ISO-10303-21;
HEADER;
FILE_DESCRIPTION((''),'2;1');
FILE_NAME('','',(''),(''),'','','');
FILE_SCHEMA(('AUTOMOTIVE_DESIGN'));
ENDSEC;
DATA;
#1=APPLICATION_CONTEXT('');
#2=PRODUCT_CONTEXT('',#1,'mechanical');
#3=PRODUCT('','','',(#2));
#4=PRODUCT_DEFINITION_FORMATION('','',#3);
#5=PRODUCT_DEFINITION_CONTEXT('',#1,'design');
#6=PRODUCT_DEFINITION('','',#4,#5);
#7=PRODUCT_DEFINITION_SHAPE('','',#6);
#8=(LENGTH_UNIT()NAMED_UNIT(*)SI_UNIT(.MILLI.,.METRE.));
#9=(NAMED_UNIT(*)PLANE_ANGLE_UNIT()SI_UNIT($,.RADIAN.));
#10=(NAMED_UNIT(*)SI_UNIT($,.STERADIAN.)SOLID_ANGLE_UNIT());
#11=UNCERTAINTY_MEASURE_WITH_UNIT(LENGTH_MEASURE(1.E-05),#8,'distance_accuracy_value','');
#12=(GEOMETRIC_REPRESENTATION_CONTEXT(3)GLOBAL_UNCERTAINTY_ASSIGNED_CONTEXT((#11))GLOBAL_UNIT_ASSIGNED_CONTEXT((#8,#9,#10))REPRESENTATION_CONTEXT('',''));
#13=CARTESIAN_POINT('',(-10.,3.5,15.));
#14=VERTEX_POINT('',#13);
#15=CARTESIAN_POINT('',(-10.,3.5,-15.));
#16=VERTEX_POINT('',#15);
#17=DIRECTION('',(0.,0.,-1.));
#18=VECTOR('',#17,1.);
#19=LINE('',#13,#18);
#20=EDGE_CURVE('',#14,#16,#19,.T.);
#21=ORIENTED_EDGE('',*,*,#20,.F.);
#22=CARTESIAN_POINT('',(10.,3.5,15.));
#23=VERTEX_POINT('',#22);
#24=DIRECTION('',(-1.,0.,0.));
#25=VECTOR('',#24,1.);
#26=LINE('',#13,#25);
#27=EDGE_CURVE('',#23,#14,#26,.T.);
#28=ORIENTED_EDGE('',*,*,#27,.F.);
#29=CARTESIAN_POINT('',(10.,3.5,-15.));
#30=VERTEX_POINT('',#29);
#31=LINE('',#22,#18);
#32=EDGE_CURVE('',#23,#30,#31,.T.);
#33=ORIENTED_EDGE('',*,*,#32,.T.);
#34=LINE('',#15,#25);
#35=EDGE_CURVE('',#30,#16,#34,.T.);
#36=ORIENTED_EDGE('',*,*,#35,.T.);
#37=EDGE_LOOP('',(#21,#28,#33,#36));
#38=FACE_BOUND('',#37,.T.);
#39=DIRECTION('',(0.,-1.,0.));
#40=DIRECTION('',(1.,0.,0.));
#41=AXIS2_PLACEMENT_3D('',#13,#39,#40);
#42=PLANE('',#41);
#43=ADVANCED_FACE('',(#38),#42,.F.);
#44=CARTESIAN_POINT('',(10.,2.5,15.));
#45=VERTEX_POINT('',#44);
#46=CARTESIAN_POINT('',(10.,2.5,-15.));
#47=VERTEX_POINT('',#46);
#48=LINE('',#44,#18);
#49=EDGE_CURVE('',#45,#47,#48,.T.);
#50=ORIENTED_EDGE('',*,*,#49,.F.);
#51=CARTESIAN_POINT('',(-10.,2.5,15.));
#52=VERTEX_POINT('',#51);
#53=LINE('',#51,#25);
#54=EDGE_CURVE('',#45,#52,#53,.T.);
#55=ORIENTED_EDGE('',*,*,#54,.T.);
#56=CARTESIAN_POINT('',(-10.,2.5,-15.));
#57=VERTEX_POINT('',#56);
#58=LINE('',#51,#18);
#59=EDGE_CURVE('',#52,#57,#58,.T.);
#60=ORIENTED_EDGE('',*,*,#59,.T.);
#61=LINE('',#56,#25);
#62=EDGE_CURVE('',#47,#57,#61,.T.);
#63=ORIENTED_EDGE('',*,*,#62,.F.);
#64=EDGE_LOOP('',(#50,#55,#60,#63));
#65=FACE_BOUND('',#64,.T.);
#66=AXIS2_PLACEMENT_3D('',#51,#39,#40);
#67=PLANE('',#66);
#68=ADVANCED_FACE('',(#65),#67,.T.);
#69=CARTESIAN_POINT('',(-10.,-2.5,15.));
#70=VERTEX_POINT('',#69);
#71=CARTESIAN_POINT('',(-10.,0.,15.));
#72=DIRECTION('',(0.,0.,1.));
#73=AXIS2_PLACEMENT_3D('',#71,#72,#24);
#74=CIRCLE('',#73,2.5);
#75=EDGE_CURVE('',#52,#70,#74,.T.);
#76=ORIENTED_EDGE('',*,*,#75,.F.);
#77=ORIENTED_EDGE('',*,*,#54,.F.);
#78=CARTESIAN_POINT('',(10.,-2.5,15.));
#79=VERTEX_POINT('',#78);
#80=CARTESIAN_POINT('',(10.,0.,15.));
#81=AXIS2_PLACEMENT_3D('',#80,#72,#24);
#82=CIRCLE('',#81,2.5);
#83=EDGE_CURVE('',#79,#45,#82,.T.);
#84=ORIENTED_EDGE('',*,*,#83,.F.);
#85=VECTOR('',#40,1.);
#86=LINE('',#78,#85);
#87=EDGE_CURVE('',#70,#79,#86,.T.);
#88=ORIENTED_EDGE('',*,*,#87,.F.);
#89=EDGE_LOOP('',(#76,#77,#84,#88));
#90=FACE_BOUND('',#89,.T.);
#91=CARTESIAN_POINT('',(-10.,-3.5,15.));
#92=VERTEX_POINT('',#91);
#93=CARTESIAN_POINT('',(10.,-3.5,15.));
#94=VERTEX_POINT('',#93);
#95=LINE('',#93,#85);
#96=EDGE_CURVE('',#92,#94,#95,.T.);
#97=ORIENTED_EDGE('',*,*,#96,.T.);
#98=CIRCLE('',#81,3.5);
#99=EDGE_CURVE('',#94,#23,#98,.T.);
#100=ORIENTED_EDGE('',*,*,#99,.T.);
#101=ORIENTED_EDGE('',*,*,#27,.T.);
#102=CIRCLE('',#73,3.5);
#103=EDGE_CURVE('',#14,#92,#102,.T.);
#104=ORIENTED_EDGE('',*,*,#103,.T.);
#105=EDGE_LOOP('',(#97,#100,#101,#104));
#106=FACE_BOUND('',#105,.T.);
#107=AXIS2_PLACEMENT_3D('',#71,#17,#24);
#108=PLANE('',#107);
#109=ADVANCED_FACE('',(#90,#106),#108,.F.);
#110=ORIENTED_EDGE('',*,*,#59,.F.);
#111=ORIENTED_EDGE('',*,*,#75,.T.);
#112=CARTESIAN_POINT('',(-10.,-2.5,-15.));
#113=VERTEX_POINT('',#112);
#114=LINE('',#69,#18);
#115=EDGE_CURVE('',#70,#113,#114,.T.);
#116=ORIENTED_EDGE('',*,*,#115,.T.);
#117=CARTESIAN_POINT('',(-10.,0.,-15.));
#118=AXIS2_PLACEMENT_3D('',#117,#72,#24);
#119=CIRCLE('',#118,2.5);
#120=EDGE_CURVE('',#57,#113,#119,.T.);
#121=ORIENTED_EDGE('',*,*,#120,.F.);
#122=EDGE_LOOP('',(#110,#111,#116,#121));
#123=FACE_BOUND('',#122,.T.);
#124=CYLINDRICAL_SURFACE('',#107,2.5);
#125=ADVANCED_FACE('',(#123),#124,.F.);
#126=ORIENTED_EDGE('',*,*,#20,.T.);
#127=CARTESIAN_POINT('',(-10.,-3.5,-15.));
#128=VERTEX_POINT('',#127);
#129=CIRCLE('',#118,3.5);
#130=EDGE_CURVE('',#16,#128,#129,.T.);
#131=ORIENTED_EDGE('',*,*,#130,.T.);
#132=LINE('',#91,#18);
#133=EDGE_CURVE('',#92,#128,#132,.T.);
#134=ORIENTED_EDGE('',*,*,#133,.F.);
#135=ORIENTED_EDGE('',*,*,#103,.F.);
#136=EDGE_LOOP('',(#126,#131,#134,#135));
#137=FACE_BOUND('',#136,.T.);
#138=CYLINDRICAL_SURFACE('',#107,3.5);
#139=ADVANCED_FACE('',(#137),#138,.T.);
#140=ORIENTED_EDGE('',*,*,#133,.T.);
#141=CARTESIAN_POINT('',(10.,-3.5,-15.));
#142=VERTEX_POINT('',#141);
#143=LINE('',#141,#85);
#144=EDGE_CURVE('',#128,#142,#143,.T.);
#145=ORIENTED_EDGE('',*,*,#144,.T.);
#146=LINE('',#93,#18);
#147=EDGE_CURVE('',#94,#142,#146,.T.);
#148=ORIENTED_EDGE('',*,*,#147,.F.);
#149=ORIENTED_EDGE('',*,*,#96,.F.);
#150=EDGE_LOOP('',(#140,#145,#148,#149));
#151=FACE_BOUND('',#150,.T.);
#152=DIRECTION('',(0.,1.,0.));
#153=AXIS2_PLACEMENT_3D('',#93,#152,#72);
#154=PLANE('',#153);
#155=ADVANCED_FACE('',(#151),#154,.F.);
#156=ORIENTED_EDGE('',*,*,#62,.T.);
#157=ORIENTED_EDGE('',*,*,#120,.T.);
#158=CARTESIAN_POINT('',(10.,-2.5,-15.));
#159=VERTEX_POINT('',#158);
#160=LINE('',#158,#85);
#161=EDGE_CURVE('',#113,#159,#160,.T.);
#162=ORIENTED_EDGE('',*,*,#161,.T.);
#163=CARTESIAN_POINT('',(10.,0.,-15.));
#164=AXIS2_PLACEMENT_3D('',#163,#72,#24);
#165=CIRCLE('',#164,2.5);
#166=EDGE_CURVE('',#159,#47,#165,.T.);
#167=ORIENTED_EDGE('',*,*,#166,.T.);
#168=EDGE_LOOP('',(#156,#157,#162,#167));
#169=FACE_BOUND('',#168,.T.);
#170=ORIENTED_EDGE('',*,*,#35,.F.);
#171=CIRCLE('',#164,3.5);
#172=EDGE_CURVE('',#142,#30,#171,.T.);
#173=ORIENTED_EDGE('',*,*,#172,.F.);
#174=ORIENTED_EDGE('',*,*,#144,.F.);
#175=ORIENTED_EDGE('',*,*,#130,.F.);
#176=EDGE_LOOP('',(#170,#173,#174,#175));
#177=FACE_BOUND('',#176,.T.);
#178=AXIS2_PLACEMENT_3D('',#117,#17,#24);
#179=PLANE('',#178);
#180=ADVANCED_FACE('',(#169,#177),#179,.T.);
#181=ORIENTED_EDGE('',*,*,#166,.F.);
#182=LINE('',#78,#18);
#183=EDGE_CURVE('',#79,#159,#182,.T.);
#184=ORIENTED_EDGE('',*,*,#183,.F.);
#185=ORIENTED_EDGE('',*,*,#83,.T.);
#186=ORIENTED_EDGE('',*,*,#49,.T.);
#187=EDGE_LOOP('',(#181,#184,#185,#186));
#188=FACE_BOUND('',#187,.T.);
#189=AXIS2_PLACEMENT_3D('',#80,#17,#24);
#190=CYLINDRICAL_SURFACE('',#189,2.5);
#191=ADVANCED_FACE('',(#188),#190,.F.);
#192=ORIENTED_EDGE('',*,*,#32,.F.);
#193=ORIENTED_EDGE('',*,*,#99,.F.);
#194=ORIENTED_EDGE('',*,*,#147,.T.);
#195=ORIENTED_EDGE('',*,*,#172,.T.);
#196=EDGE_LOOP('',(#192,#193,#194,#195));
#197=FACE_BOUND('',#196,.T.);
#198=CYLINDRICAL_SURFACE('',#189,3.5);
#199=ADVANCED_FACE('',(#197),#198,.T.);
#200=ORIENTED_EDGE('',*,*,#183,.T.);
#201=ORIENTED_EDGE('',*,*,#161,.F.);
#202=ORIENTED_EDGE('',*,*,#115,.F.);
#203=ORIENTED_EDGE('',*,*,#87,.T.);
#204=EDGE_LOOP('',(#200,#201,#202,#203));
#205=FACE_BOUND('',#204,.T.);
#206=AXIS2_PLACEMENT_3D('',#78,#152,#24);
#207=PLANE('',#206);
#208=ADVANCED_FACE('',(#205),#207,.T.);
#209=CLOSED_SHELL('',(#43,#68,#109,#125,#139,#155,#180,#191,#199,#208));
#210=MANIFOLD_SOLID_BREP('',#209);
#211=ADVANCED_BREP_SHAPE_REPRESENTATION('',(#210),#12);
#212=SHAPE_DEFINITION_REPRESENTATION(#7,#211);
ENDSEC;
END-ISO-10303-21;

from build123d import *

# Parameters (mm, degrees)
BOSS_EXTRUDE1_DEPTH = 15


with BuildPart() as part:
    # Sketch2 → Boss-Extrude1 (new, symmetric)
    with BuildSketch(Plane.XY):
        with BuildLine():
            Line((-10, 3.5), (10, 3.5))
            ThreePointArc((10, 3.5), (13.5, 0), (10, -3.5))
            Line((10, -3.5), (-10, -3.5))
            ThreePointArc((-10, -3.5), (-13.5, 0), (-10, 3.5))
        make_face()
        with BuildLine():
            Line((-10, 2.5), (10, 2.5))
            ThreePointArc((10, 2.5), (12.5, 0), (10, -2.5))
            Line((10, -2.5), (-10, -2.5))
            ThreePointArc((-10, -2.5), (-12.5, 0), (-10, 2.5))
        make_face(mode=Mode.SUBTRACT)
    extrude(amount=BOSS_EXTRUDE1_DEPTH, both=True)


solid = part.part
